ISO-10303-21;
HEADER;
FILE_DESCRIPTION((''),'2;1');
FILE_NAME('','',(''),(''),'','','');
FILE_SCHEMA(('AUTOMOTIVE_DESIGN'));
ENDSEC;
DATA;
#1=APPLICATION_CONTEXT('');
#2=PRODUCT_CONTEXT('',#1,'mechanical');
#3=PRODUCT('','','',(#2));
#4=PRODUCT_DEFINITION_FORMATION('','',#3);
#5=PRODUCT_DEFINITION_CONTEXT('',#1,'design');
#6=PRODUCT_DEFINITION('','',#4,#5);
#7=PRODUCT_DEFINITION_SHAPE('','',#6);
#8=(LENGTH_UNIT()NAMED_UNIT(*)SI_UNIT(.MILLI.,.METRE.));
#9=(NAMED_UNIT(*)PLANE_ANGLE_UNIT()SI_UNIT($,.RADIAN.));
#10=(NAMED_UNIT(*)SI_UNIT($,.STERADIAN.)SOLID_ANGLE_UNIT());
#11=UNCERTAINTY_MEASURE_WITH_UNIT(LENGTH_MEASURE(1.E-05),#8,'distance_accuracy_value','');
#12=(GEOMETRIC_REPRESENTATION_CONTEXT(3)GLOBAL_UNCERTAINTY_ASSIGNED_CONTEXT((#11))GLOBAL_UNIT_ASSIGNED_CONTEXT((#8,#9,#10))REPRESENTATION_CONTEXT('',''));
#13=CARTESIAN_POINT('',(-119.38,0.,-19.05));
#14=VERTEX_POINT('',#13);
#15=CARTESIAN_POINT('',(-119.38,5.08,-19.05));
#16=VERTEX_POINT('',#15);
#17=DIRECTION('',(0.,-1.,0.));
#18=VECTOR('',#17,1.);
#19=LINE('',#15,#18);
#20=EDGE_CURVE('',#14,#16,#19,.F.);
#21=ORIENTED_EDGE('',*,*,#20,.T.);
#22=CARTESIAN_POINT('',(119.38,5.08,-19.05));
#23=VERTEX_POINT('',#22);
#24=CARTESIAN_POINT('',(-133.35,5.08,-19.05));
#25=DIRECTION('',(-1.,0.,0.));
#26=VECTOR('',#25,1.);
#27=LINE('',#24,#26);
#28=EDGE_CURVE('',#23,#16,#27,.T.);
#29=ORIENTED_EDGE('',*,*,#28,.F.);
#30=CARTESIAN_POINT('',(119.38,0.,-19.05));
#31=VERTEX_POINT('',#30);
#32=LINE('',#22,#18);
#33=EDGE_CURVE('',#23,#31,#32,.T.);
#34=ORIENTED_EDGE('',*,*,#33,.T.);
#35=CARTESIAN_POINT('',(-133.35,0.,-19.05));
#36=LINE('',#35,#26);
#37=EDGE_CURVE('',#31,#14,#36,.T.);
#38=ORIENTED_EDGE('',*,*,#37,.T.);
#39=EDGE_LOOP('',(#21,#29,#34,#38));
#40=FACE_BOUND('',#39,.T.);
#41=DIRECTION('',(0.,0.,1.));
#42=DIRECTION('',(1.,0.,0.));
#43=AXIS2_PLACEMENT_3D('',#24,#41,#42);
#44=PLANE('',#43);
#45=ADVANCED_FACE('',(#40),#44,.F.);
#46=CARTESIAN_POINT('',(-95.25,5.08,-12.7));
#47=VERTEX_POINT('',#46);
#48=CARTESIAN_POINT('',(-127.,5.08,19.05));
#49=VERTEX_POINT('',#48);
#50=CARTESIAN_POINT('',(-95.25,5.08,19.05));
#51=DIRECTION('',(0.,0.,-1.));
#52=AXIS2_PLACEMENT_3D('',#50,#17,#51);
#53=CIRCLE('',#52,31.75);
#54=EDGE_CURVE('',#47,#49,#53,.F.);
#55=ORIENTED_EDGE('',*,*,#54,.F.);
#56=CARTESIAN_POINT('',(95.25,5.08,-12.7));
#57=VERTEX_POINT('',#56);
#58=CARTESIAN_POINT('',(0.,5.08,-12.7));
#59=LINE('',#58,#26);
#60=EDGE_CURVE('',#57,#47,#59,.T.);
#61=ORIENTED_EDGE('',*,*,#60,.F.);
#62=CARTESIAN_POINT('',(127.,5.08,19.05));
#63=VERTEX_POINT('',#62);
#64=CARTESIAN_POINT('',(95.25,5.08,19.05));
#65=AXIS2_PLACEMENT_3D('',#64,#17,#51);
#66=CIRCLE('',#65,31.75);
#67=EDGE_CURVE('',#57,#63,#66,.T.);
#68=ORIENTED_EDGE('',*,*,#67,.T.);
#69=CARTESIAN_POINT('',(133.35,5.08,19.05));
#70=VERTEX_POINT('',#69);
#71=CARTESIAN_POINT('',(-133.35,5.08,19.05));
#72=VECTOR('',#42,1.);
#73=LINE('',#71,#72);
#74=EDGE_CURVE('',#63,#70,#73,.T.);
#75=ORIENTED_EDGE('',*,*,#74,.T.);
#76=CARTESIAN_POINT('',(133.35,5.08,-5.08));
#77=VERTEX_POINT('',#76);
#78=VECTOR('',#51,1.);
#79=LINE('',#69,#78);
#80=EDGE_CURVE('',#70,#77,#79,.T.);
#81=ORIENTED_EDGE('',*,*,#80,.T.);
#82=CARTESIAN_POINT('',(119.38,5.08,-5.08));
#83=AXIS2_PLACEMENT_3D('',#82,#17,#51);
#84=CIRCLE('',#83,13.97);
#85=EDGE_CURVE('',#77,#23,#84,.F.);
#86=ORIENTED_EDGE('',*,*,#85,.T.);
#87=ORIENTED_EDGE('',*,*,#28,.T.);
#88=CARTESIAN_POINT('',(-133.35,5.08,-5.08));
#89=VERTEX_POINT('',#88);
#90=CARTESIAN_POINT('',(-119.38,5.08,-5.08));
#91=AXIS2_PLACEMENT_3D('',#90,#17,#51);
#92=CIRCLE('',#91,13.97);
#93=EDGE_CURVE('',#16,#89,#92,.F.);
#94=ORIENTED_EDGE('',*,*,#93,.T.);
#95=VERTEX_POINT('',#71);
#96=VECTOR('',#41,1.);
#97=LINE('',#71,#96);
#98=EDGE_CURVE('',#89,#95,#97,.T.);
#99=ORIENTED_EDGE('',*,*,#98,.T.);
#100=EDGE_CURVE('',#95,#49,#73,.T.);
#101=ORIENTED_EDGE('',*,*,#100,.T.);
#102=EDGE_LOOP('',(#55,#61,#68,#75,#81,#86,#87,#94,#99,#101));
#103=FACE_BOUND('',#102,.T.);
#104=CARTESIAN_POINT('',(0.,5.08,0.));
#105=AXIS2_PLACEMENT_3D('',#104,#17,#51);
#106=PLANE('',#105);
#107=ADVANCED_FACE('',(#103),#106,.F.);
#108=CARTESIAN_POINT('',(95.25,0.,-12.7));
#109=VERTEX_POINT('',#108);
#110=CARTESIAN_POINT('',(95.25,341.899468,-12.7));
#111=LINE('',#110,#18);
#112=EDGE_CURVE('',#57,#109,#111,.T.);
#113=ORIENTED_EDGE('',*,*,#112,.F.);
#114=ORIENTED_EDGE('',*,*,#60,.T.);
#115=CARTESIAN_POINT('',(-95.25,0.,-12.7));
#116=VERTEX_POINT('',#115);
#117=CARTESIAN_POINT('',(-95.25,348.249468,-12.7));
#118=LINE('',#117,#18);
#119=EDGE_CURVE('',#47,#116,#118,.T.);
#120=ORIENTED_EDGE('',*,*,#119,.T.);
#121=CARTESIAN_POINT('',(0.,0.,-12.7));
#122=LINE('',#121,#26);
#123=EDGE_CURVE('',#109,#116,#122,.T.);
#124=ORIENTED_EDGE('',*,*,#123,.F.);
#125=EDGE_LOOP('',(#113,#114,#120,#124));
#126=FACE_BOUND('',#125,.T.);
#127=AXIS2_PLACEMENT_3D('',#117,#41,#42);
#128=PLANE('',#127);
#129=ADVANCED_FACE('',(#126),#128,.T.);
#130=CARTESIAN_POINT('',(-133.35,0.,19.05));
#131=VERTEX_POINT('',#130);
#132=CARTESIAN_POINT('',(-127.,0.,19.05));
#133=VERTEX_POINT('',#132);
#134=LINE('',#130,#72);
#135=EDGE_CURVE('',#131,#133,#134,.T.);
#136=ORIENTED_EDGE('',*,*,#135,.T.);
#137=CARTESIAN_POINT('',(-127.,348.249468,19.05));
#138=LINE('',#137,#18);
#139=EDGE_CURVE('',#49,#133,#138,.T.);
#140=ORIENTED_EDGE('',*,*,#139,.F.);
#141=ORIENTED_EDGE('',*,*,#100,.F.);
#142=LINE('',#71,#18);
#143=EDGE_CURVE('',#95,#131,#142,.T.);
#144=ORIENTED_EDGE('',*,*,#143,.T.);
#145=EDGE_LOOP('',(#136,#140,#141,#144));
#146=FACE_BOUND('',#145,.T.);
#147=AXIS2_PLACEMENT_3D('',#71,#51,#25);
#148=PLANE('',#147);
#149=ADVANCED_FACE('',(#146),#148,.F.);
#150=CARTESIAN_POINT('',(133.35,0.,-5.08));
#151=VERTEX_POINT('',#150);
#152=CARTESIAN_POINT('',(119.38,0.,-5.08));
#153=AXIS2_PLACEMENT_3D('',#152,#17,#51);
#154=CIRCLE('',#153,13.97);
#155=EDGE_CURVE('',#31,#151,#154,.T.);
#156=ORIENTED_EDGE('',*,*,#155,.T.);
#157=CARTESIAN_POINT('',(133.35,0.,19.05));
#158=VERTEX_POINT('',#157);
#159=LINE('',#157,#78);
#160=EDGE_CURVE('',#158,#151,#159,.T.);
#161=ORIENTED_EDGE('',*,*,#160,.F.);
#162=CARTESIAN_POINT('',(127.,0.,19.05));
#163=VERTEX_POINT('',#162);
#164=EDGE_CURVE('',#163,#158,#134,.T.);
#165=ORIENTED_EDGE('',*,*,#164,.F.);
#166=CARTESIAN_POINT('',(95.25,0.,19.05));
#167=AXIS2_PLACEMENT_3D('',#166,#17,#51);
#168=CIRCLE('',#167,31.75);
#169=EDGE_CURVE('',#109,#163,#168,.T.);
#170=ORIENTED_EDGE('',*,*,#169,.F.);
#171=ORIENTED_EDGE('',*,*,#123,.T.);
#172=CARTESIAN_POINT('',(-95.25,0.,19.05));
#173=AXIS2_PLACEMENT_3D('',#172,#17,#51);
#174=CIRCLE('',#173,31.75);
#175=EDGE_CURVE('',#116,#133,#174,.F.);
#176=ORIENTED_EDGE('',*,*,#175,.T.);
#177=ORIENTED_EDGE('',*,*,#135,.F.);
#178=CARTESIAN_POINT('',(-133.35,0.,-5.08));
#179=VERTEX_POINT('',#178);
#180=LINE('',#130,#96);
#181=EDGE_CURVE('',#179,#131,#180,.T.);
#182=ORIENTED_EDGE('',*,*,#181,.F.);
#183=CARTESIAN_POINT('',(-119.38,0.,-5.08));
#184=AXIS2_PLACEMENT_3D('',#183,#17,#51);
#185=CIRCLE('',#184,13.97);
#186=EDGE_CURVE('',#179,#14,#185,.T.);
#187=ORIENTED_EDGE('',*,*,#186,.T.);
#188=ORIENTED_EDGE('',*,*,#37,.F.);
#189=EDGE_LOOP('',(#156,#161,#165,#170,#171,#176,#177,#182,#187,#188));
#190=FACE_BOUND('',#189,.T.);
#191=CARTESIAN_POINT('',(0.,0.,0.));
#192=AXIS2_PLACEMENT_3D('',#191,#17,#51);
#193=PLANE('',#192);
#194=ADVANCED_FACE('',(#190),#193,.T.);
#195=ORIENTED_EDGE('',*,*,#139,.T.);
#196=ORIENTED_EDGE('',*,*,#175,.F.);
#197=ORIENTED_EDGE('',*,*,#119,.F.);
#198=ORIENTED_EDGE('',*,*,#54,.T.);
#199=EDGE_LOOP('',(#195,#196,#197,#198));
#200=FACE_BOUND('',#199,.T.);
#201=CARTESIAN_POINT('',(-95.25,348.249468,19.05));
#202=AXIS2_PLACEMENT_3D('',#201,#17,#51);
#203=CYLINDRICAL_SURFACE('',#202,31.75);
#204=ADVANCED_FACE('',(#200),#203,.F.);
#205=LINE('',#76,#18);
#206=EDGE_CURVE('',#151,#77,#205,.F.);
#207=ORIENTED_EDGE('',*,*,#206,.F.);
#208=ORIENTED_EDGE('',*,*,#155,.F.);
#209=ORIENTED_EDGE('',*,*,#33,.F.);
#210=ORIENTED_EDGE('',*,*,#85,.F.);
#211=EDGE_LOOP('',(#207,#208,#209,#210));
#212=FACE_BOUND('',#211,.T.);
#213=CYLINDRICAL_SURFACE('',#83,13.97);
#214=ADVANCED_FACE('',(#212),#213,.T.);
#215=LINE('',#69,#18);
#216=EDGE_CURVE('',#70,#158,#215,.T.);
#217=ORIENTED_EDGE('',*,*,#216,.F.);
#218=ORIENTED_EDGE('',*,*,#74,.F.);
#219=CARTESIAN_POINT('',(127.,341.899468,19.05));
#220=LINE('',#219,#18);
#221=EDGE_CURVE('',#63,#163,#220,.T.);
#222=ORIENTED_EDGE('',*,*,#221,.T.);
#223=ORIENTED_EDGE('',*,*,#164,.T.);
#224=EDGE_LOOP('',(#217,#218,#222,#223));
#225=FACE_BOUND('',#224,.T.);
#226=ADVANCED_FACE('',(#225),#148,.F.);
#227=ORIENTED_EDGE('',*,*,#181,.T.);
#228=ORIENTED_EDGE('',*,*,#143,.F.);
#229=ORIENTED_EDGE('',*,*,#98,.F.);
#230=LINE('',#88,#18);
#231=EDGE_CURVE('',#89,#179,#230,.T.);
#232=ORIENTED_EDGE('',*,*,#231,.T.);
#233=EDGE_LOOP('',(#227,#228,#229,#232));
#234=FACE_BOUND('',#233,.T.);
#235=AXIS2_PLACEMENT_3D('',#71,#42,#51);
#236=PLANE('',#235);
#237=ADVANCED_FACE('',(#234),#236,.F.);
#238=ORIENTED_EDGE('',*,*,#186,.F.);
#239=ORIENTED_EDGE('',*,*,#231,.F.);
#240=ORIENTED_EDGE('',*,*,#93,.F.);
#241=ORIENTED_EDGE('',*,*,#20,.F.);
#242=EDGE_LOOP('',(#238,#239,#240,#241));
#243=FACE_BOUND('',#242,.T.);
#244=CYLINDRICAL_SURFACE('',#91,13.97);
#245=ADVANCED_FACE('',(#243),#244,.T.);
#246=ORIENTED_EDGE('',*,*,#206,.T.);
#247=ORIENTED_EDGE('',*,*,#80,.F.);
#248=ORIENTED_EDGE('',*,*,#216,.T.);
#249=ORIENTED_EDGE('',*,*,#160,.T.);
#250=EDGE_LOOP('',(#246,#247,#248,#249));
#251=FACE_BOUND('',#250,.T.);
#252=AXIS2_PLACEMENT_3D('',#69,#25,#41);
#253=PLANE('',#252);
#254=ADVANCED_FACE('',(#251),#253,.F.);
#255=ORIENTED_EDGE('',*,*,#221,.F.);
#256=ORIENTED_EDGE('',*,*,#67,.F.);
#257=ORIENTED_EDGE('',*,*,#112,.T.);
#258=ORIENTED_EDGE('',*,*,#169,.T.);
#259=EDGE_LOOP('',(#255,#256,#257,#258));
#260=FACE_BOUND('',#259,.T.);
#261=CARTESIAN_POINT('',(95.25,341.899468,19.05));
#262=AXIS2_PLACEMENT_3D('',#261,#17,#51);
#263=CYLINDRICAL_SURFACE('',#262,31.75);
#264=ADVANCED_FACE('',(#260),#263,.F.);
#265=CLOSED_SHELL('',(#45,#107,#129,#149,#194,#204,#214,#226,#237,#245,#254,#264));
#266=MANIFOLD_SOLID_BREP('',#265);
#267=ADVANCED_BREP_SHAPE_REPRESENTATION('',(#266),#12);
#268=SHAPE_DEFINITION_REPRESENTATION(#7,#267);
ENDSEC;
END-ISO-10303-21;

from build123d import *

# Parameters (mm, degrees)
SKETCH1_W          = 266.7
SKETCH1_H          = 38.1
BUMPER_BASE_DEPTH  = 5.08
CUT_EXTRUDE1_DEPTH = 135.79959718
FILLET1_R          = 13.97


with BuildPart() as part:
    # Sketch1 → Bumper-Base (new body)
    with BuildSketch(Plane(origin=(0, 0, 0), x_dir=(1, 0, 0), z_dir=(0, 1, 0))):
        Rectangle(SKETCH1_W, SKETCH1_H)
    extrude(amount=BUMPER_BASE_DEPTH)

    # Sketch2 → Cut-Extrude1 (cut, symmetric)
    with BuildSketch(Plane(origin=(0, 5.08, 0), x_dir=(1, 0, 0), z_dir=(0, 1, 0))):
        with BuildLine():
            Line((0, 12.7), (-95.25, 12.7))
            ThreePointArc((-95.25, 12.7), (-117.700640303, 3.400640303), (-127, -19.05))
            Line((-127, -19.05), (-95.25, -19.05))
            Line((-95.25, -19.05), (0, -19.05))
            Line((0, -19.05), (0, 12.7))
        make_face()
    cut_extrude1 = extrude(amount=CUT_EXTRUDE1_DEPTH, both=True, mode=Mode.SUBTRACT)

    # Mirror1: Cut-Extrude1 across plane
    add(cut_extrude1.mirror(Plane(origin=(0, 0, 0), x_dir=(0, 0, 1), z_dir=(1, 0, 0))), mode=Mode.SUBTRACT)

    # Fillet1
    fillet1_edges = [part.edges().sort_by_distance(p)[0] for p in [
        (-133.35, 2.54, -19.05),
        (133.35, 2.54, -19.05),
    ]]
    fillet(fillet1_edges, radius=FILLET1_R)


solid = part.part
